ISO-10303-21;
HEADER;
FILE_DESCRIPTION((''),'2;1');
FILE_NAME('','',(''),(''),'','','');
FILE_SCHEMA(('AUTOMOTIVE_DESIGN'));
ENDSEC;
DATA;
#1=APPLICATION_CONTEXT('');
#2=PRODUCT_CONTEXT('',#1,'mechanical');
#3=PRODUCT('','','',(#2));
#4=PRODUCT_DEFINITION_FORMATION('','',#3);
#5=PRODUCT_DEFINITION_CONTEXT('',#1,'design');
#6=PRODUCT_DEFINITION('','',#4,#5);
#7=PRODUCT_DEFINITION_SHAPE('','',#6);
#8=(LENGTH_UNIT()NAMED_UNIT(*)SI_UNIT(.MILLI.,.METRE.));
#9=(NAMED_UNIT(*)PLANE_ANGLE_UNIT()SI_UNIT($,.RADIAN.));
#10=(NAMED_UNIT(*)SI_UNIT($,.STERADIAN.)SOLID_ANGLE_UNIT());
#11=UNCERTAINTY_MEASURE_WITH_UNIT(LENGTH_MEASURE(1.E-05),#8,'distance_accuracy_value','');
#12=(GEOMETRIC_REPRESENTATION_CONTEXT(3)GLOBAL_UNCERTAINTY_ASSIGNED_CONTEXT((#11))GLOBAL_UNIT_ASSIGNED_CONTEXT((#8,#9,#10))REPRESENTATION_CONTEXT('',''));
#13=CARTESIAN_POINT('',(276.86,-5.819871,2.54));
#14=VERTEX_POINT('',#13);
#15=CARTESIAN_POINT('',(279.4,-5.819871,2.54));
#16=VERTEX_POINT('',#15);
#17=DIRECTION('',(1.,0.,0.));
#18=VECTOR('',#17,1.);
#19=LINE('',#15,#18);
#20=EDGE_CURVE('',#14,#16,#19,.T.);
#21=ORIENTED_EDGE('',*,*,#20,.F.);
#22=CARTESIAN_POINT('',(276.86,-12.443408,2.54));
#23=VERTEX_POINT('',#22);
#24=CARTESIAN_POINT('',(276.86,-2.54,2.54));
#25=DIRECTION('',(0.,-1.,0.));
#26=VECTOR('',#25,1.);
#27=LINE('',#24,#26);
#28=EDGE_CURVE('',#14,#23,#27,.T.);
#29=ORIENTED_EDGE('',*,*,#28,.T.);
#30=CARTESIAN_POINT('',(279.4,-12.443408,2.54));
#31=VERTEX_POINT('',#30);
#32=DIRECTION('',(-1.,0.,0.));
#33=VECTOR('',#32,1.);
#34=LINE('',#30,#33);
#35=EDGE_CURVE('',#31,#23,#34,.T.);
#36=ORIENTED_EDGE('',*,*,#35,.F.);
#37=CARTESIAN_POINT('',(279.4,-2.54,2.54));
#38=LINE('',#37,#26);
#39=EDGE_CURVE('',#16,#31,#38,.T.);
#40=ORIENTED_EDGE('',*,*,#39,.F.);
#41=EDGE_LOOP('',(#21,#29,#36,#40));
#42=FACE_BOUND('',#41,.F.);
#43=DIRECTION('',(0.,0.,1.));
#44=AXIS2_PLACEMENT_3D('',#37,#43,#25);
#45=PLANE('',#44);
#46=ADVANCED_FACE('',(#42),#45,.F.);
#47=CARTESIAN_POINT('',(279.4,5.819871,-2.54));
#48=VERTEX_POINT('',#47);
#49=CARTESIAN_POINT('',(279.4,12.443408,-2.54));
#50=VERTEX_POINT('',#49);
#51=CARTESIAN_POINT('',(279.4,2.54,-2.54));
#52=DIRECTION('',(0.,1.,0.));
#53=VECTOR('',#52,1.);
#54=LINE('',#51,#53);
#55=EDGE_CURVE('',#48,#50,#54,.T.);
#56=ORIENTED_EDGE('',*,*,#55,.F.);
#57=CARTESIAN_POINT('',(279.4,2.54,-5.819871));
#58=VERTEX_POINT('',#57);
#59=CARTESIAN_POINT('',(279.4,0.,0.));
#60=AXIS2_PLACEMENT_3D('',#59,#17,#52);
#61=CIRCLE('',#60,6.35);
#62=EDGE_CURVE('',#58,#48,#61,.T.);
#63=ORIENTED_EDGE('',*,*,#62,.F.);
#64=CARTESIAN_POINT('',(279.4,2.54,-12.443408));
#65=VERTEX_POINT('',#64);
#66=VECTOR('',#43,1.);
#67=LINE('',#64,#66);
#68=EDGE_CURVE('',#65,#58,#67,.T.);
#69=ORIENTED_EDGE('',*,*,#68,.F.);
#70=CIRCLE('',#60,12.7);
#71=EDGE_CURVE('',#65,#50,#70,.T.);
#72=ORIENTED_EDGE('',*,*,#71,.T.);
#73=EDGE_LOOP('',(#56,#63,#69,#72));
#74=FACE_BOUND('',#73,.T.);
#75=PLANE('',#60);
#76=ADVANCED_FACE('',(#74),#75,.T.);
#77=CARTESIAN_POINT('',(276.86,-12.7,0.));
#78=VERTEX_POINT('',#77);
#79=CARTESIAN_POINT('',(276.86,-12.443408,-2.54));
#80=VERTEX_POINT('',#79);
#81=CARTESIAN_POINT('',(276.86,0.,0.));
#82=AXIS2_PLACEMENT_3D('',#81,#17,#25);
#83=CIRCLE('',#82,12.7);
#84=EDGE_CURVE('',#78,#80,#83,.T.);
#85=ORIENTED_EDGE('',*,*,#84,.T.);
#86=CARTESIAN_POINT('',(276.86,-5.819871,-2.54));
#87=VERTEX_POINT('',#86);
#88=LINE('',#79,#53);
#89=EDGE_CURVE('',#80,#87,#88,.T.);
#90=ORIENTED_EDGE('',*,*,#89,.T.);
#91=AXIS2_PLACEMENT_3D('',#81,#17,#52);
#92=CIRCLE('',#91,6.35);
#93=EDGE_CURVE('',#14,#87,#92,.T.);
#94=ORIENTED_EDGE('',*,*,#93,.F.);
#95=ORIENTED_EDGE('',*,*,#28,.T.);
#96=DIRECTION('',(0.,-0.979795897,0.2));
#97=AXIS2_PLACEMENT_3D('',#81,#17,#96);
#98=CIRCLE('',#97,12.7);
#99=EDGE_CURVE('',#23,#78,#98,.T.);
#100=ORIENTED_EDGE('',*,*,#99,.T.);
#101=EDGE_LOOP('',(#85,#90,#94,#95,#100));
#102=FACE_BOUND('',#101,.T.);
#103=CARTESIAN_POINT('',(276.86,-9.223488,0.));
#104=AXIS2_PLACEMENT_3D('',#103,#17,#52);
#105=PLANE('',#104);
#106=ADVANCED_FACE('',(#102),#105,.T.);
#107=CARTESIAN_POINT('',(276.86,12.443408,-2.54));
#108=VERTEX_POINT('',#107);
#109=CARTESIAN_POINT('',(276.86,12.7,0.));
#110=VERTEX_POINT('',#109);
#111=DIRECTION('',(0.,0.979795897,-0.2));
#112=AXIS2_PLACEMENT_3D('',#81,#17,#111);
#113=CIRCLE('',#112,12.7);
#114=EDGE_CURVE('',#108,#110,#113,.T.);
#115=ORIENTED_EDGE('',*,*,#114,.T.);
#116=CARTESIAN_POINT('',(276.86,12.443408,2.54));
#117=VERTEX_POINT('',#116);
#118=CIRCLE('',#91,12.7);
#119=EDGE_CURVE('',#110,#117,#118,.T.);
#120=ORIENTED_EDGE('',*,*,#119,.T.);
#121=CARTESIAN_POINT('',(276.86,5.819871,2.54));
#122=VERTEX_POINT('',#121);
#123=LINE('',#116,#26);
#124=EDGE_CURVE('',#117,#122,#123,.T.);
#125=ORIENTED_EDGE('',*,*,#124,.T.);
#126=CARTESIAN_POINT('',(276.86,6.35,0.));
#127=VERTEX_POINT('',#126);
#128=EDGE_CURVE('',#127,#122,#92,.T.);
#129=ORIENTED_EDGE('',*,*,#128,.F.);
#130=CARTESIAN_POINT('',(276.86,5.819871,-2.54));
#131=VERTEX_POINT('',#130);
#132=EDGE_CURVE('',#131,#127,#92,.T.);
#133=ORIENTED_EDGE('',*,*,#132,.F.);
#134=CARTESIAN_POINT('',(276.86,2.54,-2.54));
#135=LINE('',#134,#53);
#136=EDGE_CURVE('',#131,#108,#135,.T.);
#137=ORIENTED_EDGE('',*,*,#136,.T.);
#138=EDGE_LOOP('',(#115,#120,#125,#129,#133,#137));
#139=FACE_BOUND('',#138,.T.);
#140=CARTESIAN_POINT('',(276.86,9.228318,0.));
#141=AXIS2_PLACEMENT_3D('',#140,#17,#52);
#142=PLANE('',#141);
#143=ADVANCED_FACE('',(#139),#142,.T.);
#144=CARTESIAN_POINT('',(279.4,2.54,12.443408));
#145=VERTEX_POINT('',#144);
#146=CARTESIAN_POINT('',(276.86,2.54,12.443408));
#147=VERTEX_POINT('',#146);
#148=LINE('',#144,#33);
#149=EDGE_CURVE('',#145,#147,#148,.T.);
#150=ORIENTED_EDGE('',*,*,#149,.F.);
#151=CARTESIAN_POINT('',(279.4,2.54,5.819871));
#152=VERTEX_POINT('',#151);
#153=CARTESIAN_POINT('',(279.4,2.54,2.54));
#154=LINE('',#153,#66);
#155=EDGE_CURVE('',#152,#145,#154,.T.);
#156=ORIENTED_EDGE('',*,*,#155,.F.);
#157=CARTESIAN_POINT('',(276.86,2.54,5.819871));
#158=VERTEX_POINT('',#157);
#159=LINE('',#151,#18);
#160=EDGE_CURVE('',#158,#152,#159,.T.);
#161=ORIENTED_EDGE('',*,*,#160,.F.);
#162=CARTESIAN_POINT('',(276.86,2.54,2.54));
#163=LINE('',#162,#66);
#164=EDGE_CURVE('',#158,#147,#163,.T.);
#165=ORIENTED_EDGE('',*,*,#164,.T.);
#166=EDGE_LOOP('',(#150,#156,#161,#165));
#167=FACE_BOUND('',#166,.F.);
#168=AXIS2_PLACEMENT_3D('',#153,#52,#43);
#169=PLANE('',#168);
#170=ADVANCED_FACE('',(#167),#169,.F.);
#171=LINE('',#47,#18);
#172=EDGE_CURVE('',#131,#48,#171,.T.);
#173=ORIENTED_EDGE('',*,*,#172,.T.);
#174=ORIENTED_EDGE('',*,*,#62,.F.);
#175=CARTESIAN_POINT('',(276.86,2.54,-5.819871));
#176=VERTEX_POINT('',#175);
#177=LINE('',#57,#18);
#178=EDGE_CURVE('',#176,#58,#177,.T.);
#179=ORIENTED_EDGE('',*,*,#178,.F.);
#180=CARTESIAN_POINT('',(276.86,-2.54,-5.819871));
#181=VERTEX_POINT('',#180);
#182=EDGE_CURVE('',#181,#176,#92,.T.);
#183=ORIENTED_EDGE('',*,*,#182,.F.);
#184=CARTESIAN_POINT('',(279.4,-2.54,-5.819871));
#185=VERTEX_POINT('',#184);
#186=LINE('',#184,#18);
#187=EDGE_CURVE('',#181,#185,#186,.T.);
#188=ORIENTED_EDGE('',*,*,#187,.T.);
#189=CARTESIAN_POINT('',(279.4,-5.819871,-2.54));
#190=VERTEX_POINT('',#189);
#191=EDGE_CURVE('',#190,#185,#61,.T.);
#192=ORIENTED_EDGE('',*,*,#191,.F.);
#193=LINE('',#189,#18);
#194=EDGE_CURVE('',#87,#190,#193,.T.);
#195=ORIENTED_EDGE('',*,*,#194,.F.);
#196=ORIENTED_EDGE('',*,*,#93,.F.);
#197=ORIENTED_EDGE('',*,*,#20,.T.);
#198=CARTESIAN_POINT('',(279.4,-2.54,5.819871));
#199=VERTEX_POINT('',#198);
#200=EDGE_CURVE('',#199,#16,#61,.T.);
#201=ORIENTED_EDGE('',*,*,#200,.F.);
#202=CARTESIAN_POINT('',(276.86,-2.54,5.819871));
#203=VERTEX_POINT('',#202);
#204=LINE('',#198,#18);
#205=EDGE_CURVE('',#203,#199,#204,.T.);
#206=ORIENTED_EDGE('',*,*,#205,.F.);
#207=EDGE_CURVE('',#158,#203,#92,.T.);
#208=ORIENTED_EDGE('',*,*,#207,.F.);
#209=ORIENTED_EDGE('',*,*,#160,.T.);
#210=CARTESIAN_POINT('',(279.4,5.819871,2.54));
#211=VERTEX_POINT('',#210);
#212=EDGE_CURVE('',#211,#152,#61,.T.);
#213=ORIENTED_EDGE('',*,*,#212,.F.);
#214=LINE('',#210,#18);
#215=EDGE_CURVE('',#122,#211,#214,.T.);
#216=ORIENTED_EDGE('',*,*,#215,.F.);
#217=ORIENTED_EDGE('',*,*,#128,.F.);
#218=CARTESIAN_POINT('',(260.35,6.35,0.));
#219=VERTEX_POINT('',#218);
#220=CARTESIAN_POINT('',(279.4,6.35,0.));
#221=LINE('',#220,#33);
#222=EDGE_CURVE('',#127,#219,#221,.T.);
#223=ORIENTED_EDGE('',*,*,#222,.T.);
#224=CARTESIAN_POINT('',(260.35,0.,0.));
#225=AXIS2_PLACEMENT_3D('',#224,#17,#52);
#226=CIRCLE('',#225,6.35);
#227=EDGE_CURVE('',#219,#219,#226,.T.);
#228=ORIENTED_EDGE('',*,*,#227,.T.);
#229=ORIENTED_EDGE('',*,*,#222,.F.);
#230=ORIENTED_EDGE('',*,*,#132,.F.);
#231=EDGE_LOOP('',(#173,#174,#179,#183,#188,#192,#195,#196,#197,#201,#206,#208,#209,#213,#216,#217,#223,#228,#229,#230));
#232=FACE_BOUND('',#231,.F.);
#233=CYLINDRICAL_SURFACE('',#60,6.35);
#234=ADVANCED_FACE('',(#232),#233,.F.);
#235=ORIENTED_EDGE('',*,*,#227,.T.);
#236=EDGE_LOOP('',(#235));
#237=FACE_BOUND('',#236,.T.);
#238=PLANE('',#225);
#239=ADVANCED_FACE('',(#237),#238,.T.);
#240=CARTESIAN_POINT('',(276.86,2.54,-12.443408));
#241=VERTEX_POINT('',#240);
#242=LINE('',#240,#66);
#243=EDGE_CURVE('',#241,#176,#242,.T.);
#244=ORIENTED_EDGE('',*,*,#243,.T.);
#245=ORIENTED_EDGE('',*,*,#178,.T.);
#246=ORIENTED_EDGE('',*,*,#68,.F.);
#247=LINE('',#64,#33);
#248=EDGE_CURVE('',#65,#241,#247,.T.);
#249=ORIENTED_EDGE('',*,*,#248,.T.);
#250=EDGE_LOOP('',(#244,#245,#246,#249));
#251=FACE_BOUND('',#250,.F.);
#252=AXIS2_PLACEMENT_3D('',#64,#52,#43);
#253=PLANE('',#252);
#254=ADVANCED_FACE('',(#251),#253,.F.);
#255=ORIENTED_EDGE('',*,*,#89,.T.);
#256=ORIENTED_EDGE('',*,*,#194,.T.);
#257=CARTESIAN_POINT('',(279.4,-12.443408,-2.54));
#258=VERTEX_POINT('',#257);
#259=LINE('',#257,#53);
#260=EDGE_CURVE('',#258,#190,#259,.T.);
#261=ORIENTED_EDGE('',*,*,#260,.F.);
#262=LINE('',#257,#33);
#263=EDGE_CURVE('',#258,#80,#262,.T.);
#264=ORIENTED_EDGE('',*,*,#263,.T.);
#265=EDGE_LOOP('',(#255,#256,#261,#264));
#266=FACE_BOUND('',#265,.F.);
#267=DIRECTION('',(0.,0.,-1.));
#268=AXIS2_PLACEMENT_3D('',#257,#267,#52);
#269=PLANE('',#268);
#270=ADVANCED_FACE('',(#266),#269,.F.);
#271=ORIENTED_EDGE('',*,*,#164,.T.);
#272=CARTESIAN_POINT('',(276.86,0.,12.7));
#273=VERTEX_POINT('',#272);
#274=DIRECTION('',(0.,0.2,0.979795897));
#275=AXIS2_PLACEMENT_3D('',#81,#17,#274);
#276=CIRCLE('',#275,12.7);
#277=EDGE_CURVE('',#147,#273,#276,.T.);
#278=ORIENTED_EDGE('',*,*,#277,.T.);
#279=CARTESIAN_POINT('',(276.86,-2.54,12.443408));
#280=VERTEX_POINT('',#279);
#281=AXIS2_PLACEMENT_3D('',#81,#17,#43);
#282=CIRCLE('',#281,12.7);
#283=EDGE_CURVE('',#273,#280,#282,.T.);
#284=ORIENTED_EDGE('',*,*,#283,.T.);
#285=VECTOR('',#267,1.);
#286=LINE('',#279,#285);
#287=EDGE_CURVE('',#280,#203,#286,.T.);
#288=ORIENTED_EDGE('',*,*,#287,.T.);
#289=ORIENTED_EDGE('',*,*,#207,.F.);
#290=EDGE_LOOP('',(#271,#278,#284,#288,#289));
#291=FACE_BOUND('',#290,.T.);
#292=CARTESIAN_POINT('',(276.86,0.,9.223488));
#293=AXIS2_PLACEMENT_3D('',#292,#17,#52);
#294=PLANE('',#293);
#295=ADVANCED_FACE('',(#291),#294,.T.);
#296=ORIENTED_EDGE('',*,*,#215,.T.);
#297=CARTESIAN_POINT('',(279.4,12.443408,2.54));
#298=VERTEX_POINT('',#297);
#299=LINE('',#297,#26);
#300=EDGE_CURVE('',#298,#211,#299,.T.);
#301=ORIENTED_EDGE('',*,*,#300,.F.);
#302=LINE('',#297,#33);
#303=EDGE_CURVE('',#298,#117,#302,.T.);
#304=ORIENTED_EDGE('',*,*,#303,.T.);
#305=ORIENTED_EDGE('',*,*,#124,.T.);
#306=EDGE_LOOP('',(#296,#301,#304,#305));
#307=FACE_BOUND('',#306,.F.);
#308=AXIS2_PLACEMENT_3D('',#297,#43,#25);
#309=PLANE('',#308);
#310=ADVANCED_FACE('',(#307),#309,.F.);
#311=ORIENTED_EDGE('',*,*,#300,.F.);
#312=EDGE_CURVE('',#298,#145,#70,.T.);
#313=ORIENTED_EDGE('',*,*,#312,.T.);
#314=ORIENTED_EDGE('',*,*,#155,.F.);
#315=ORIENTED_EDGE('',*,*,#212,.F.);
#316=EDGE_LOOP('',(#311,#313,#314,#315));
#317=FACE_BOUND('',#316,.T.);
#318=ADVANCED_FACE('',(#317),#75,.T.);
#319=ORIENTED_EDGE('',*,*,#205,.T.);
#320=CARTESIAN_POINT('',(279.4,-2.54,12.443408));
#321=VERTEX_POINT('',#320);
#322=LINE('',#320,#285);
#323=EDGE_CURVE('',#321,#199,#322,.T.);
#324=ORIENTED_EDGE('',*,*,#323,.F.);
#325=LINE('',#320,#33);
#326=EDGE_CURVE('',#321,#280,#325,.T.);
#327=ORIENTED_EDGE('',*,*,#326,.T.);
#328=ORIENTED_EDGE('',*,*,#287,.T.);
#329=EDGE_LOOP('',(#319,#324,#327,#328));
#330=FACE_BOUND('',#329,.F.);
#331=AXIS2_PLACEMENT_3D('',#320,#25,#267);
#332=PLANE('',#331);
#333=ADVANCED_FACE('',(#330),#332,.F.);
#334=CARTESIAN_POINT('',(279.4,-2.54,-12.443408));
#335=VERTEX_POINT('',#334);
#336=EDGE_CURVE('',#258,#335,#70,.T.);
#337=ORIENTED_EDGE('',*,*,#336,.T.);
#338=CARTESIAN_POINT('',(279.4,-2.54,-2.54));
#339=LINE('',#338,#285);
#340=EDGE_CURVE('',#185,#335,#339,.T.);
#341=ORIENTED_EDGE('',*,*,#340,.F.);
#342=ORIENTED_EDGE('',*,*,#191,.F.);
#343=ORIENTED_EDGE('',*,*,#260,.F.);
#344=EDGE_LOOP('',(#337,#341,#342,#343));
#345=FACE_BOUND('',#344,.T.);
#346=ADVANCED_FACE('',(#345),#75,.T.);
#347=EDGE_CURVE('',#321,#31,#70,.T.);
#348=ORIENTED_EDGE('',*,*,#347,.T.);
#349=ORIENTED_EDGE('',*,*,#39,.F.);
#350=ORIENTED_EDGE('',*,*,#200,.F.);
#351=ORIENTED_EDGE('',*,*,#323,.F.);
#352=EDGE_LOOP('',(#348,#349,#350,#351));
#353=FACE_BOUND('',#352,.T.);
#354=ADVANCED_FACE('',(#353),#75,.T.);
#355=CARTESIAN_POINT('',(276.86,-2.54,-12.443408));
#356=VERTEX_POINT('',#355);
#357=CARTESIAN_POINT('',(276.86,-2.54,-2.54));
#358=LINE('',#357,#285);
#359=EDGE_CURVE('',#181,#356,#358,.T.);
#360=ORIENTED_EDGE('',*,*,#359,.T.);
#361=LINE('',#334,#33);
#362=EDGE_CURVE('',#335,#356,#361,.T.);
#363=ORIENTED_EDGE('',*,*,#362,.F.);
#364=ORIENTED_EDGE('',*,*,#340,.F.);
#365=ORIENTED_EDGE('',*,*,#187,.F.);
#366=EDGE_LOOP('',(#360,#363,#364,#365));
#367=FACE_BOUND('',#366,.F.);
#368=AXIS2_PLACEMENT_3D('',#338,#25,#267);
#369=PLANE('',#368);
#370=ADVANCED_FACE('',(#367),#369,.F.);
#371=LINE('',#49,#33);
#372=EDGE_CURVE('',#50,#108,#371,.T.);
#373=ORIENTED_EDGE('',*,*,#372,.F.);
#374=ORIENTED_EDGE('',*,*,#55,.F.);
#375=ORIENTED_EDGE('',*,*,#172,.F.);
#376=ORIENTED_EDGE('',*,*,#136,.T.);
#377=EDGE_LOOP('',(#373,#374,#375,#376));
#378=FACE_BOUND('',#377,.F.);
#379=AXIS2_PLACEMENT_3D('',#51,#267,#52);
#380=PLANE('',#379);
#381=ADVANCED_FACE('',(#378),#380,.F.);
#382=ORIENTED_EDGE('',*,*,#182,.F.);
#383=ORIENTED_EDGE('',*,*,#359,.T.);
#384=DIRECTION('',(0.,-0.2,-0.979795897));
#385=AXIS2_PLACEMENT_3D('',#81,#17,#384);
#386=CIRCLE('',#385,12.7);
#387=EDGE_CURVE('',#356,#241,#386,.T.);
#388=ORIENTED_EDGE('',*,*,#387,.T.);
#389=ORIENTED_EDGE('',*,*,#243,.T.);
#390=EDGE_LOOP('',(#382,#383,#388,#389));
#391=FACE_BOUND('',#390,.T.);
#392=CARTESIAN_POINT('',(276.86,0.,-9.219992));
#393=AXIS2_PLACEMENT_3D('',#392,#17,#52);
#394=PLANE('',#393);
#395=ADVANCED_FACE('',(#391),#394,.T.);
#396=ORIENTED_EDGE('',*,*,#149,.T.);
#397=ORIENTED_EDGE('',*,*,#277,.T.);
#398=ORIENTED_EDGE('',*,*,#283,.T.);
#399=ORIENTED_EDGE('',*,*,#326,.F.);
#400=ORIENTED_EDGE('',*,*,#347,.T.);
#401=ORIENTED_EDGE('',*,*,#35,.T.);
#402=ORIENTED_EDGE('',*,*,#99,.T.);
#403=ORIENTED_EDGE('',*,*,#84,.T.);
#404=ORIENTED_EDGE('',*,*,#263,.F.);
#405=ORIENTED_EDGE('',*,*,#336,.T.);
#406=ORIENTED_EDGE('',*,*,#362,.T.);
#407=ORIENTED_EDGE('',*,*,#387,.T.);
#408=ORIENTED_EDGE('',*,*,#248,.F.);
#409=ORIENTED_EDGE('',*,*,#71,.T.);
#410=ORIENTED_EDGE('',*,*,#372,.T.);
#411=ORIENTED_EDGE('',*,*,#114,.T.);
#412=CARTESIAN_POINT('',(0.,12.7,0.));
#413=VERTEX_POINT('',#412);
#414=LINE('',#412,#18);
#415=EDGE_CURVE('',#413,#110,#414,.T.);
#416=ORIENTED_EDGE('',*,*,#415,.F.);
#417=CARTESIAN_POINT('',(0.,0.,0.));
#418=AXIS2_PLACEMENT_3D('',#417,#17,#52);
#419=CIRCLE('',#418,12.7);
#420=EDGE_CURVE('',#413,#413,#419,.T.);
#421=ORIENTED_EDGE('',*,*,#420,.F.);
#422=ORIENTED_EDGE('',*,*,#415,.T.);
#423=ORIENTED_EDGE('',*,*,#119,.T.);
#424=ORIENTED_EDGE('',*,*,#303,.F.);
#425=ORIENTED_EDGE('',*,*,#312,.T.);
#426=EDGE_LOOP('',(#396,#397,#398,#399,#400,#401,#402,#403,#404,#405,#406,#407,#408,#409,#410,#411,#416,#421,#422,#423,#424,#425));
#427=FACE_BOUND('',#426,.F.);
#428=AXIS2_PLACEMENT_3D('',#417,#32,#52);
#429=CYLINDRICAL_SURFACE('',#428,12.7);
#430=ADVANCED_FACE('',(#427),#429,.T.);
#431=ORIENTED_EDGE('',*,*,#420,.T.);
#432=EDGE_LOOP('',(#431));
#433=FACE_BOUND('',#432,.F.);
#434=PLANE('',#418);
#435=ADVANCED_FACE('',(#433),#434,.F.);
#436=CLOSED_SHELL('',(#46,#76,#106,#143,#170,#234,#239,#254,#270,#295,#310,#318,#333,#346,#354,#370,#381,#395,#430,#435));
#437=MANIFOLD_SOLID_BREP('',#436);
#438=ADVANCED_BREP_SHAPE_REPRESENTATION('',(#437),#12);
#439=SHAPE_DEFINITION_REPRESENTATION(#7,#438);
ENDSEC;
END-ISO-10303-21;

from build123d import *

# Parameters (mm, degrees)
F0_R     = 12.7
F1_DEPTH = 279.4
F2_R     = 6.35
F3_DEPTH = 19.05
F5_DEPTH = 2.54


with BuildPart() as f1:
    # F0 (on Right) → F1 (new body)
    with BuildSketch(Plane.YZ):
        Circle(F0_R)
    extrude(amount=F1_DEPTH)

    # F2 (on face) → F3 (cut)
    with BuildSketch(Plane.YZ.offset(279.4)):
        Circle(F2_R)
    extrude(amount=-F3_DEPTH, mode=Mode.SUBTRACT)

    # F4 (on face) → F5 (cut)
    with BuildSketch(Plane.YZ.offset(279.4)):
        with BuildLine():
            ThreePointArc((2.54, 12.4434078933), (1.2764638175, 12.6356891432), (0, 12.7))
            ThreePointArc((0, 12.7), (-1.2764638175, 12.6356891432), (-2.54, 12.4434078933))
            Line((-2.54, 12.4434078933), (-2.54, 5.8198711326))
            ThreePointArc((-2.54, 5.8198711326), (0, 6.35), (2.54, 5.8198711326))
            Line((2.54, 5.8198711326), (2.54, 12.4434078933))
        make_face()
        with BuildLine():
            Line((-5.8198711326, 2.54), (-12.4434078933, 2.54))
            ThreePointArc((-12.4434078933, 2.54), (-12.6356891432, 1.2764638175), (-12.7, 0))
            ThreePointArc((-12.7, 0), (-12.6356891432, -1.2764638175), (-12.4434078933, -2.54))
            Line((-12.4434078933, -2.54), (-5.8198711326, -2.54))
            ThreePointArc((-5.8198711326, -2.54), (-6.35, 0), (-5.8198711326, 2.54))
        make_face()
        with BuildLine():
            ThreePointArc((2.54, -5.8198711326), (0, -6.35), (-2.54, -5.8198711326))
            Line((-2.54, -5.8198711326), (-2.54, -12.4434078933))
            ThreePointArc((-2.54, -12.4434078933), (0, -12.7), (2.54, -12.4434078933))
            Line((2.54, -12.4434078933), (2.54, -5.8198711326))
        make_face()
        with BuildLine():
            ThreePointArc((12.7, 0), (12.6356891432, 1.2764638175), (12.4434078933, 2.54))
            Line((12.4434078933, 2.54), (5.8198711326, 2.54))
            ThreePointArc((5.8198711326, 2.54), (6.2160550871, 1.2973662374), (6.35, 0))
            ThreePointArc((6.35, 0), (6.2160550871, -1.2973662374), (5.8198711326, -2.54))
            Line((5.8198711326, -2.54), (12.4434078933, -2.54))
            ThreePointArc((12.4434078933, -2.54), (12.6356891432, -1.2764638175), (12.7, 0))
        make_face()
        with BuildLine():
            Line((5.8198711326, 2.54), (2.54, 2.54))
            Line((2.54, 2.54), (2.54, -2.54))
            Line((2.54, -2.54), (5.8198711326, -2.54))
            ThreePointArc((5.8198711326, -2.54), (6.2160550871, -1.2973662374), (6.35, 0))
            ThreePointArc((6.35, 0), (6.2160550871, 1.2973662374), (5.8198711326, 2.54))
        make_face()
        with BuildLine():
            Line((-2.54, -2.54), (-2.54, 2.54))
            Line((-2.54, 2.54), (-5.8198711326, 2.54))
            ThreePointArc((-5.8198711326, 2.54), (-6.35, 0), (-5.8198711326, -2.54))
            Line((-5.8198711326, -2.54), (-2.54, -2.54))
        make_face()
        with BuildLine():
            ThreePointArc((2.54, 5.8198711326), (0, 6.35), (-2.54, 5.8198711326))
            Line((-2.54, 5.8198711326), (-2.54, 2.54))
            Line((-2.54, 2.54), (2.54, 2.54))
            Line((2.54, 2.54), (2.54, 5.8198711326))
        make_face()
        with BuildLine():
            Line((2.54, -2.54), (-2.54, -2.54))
            Line((-2.54, -2.54), (-2.54, -5.8198711326))
            ThreePointArc((-2.54, -5.8198711326), (0, -6.35), (2.54, -5.8198711326))
            Line((2.54, -5.8198711326), (2.54, -2.54))
        make_face()
    extrude(amount=-F5_DEPTH, mode=Mode.SUBTRACT)


solid = f1.part
